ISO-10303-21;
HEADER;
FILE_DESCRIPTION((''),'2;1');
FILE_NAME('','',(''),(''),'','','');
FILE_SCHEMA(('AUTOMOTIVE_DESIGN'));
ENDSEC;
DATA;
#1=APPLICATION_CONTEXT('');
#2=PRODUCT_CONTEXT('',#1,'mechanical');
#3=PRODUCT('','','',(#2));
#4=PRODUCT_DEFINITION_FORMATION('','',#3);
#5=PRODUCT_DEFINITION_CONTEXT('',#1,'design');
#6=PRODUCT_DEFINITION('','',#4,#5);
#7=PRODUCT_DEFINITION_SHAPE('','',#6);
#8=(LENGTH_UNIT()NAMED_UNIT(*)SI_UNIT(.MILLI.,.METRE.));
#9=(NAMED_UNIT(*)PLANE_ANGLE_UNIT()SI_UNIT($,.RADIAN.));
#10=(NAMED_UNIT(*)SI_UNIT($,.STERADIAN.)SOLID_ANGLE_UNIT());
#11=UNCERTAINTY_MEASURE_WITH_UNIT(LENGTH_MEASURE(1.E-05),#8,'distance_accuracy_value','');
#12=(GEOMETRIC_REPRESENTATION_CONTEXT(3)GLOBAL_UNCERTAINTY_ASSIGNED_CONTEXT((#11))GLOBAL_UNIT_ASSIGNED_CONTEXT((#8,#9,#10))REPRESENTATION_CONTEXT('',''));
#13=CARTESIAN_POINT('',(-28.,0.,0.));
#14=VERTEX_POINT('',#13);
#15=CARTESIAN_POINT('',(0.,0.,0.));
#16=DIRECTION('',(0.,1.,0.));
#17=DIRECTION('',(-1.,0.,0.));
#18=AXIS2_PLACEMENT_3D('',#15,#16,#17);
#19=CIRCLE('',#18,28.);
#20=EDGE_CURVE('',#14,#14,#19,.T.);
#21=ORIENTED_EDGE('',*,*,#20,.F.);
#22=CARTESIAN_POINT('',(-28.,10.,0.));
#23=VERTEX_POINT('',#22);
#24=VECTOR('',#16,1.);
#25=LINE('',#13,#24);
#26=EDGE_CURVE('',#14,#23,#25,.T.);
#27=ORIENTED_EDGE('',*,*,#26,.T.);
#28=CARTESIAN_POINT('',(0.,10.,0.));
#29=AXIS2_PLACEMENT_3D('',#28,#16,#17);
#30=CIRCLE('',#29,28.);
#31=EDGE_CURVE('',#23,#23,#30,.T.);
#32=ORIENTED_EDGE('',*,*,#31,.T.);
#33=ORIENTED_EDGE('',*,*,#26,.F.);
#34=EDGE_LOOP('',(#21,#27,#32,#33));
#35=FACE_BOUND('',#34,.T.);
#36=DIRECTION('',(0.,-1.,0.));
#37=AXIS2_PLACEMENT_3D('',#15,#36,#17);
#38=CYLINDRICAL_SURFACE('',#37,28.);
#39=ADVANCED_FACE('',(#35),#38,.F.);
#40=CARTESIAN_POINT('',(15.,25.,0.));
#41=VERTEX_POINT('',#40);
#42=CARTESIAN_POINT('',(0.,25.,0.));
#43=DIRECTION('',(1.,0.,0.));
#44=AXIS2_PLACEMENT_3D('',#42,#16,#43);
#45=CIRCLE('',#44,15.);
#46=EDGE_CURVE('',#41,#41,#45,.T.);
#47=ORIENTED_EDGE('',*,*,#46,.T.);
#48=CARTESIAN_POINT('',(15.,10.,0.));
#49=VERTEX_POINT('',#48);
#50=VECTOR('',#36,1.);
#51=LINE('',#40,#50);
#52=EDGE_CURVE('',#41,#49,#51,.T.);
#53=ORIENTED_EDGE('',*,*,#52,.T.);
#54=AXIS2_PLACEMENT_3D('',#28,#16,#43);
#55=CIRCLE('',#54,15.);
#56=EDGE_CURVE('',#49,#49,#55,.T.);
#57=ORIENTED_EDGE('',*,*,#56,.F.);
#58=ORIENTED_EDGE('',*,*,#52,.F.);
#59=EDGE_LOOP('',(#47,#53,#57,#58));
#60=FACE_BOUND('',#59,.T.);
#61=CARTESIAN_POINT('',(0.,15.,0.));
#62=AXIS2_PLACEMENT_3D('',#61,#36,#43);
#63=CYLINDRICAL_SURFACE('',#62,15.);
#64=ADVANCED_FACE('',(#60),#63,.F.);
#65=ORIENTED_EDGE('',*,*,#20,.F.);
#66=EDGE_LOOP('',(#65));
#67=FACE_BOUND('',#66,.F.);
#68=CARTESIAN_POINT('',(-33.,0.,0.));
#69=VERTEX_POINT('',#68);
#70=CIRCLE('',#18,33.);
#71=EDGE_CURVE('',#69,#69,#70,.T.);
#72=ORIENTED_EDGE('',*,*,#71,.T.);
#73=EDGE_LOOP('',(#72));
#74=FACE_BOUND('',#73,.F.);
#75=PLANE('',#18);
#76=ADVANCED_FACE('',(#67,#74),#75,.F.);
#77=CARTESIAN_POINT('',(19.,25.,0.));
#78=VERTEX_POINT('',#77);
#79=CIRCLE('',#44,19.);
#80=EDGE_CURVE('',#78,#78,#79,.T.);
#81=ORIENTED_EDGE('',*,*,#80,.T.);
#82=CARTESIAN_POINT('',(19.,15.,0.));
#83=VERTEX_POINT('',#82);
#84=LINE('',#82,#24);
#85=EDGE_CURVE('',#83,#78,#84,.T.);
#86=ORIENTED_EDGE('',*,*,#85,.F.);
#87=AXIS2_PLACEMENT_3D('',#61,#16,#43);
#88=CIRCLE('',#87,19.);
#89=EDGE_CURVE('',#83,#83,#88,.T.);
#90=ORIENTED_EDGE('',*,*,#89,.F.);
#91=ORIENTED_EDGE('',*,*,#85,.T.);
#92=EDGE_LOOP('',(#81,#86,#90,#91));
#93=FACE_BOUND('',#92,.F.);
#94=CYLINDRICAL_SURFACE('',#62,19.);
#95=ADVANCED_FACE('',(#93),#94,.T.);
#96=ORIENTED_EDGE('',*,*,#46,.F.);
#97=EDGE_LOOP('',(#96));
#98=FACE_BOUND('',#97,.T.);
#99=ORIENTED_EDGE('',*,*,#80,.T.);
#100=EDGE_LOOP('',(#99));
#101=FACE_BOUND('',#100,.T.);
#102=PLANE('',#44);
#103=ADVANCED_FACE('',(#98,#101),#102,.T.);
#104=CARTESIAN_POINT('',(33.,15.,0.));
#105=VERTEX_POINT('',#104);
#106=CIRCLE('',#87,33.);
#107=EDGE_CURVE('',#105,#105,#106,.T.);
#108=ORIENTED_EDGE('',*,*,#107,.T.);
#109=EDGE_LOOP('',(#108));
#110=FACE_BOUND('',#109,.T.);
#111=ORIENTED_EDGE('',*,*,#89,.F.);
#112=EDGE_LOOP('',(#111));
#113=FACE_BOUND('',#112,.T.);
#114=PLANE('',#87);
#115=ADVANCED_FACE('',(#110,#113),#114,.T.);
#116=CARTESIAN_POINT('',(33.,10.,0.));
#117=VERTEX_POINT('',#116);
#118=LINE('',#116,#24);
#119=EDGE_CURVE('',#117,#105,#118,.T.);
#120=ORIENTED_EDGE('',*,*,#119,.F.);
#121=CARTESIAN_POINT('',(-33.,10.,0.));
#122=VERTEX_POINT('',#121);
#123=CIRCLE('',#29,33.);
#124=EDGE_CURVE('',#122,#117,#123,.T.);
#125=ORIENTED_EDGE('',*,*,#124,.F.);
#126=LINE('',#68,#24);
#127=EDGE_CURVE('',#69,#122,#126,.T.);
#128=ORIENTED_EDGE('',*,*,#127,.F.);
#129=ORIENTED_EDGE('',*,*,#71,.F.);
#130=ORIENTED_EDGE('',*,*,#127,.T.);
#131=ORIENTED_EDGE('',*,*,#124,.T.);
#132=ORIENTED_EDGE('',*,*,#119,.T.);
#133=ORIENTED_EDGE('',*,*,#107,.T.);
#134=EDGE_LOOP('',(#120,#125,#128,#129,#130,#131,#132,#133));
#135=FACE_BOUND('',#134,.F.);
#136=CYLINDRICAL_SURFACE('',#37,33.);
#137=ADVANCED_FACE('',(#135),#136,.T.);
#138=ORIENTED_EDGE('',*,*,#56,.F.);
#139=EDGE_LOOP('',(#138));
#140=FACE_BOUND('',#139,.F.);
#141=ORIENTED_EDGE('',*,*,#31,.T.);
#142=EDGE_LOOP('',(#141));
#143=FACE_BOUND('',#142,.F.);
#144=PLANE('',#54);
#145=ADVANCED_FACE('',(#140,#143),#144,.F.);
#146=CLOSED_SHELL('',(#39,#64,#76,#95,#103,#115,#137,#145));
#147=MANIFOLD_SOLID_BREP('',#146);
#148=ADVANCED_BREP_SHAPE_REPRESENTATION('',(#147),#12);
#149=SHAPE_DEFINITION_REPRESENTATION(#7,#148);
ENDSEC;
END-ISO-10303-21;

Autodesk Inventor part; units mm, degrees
ref_plane "YZ Plane" through (0, 0, 0) normal (1, 0, 0) x (0, 1, 0)
ref_plane "XZ Plane" through (0, 0, 0) normal (0, 1, 0) x (-1, 0, 0)
ref_plane "XY Plane" through (0, 0, 0) normal (0, 0, 1) x (1, 0, 0)
sketch "Sketch1" plane through (0, 0, 0) normal (0, 1, 0) x (-1, 0, 0)
  circle A0 centre (0, 0) radius 28
  circle A1 centre (0, 0) radius 33
  dimension "d0" = 56
  dimension "d1" = 66
extrude "Extrusion1" add sketch "Sketch1" along normal blind 10
sketch "Sketch2" plane through (0, 10, 0) normal (0, 1, 0) x (1, 0, 0)
  circle A0 centre (0, 0) radius 15
  circle A1 centre (0, 0) radius 33 projected
  dimension "d4" = 30
extrude "Extrusion2" add sketch "Sketch2" along normal blind 5
sketch "Sketch3" plane through (0, 15, 0) normal (0, 1, 0) x (1, 0, 0)
  circle A0 centre (0, 0) radius 15
  circle A1 centre (0, 0) radius 19
  dimension "d7" = 38
  dimension "d8" = 30
extrude "Extrusion3" add sketch "Sketch3" along normal blind 10
properties part number "bigbearingcup" material "Steel"
